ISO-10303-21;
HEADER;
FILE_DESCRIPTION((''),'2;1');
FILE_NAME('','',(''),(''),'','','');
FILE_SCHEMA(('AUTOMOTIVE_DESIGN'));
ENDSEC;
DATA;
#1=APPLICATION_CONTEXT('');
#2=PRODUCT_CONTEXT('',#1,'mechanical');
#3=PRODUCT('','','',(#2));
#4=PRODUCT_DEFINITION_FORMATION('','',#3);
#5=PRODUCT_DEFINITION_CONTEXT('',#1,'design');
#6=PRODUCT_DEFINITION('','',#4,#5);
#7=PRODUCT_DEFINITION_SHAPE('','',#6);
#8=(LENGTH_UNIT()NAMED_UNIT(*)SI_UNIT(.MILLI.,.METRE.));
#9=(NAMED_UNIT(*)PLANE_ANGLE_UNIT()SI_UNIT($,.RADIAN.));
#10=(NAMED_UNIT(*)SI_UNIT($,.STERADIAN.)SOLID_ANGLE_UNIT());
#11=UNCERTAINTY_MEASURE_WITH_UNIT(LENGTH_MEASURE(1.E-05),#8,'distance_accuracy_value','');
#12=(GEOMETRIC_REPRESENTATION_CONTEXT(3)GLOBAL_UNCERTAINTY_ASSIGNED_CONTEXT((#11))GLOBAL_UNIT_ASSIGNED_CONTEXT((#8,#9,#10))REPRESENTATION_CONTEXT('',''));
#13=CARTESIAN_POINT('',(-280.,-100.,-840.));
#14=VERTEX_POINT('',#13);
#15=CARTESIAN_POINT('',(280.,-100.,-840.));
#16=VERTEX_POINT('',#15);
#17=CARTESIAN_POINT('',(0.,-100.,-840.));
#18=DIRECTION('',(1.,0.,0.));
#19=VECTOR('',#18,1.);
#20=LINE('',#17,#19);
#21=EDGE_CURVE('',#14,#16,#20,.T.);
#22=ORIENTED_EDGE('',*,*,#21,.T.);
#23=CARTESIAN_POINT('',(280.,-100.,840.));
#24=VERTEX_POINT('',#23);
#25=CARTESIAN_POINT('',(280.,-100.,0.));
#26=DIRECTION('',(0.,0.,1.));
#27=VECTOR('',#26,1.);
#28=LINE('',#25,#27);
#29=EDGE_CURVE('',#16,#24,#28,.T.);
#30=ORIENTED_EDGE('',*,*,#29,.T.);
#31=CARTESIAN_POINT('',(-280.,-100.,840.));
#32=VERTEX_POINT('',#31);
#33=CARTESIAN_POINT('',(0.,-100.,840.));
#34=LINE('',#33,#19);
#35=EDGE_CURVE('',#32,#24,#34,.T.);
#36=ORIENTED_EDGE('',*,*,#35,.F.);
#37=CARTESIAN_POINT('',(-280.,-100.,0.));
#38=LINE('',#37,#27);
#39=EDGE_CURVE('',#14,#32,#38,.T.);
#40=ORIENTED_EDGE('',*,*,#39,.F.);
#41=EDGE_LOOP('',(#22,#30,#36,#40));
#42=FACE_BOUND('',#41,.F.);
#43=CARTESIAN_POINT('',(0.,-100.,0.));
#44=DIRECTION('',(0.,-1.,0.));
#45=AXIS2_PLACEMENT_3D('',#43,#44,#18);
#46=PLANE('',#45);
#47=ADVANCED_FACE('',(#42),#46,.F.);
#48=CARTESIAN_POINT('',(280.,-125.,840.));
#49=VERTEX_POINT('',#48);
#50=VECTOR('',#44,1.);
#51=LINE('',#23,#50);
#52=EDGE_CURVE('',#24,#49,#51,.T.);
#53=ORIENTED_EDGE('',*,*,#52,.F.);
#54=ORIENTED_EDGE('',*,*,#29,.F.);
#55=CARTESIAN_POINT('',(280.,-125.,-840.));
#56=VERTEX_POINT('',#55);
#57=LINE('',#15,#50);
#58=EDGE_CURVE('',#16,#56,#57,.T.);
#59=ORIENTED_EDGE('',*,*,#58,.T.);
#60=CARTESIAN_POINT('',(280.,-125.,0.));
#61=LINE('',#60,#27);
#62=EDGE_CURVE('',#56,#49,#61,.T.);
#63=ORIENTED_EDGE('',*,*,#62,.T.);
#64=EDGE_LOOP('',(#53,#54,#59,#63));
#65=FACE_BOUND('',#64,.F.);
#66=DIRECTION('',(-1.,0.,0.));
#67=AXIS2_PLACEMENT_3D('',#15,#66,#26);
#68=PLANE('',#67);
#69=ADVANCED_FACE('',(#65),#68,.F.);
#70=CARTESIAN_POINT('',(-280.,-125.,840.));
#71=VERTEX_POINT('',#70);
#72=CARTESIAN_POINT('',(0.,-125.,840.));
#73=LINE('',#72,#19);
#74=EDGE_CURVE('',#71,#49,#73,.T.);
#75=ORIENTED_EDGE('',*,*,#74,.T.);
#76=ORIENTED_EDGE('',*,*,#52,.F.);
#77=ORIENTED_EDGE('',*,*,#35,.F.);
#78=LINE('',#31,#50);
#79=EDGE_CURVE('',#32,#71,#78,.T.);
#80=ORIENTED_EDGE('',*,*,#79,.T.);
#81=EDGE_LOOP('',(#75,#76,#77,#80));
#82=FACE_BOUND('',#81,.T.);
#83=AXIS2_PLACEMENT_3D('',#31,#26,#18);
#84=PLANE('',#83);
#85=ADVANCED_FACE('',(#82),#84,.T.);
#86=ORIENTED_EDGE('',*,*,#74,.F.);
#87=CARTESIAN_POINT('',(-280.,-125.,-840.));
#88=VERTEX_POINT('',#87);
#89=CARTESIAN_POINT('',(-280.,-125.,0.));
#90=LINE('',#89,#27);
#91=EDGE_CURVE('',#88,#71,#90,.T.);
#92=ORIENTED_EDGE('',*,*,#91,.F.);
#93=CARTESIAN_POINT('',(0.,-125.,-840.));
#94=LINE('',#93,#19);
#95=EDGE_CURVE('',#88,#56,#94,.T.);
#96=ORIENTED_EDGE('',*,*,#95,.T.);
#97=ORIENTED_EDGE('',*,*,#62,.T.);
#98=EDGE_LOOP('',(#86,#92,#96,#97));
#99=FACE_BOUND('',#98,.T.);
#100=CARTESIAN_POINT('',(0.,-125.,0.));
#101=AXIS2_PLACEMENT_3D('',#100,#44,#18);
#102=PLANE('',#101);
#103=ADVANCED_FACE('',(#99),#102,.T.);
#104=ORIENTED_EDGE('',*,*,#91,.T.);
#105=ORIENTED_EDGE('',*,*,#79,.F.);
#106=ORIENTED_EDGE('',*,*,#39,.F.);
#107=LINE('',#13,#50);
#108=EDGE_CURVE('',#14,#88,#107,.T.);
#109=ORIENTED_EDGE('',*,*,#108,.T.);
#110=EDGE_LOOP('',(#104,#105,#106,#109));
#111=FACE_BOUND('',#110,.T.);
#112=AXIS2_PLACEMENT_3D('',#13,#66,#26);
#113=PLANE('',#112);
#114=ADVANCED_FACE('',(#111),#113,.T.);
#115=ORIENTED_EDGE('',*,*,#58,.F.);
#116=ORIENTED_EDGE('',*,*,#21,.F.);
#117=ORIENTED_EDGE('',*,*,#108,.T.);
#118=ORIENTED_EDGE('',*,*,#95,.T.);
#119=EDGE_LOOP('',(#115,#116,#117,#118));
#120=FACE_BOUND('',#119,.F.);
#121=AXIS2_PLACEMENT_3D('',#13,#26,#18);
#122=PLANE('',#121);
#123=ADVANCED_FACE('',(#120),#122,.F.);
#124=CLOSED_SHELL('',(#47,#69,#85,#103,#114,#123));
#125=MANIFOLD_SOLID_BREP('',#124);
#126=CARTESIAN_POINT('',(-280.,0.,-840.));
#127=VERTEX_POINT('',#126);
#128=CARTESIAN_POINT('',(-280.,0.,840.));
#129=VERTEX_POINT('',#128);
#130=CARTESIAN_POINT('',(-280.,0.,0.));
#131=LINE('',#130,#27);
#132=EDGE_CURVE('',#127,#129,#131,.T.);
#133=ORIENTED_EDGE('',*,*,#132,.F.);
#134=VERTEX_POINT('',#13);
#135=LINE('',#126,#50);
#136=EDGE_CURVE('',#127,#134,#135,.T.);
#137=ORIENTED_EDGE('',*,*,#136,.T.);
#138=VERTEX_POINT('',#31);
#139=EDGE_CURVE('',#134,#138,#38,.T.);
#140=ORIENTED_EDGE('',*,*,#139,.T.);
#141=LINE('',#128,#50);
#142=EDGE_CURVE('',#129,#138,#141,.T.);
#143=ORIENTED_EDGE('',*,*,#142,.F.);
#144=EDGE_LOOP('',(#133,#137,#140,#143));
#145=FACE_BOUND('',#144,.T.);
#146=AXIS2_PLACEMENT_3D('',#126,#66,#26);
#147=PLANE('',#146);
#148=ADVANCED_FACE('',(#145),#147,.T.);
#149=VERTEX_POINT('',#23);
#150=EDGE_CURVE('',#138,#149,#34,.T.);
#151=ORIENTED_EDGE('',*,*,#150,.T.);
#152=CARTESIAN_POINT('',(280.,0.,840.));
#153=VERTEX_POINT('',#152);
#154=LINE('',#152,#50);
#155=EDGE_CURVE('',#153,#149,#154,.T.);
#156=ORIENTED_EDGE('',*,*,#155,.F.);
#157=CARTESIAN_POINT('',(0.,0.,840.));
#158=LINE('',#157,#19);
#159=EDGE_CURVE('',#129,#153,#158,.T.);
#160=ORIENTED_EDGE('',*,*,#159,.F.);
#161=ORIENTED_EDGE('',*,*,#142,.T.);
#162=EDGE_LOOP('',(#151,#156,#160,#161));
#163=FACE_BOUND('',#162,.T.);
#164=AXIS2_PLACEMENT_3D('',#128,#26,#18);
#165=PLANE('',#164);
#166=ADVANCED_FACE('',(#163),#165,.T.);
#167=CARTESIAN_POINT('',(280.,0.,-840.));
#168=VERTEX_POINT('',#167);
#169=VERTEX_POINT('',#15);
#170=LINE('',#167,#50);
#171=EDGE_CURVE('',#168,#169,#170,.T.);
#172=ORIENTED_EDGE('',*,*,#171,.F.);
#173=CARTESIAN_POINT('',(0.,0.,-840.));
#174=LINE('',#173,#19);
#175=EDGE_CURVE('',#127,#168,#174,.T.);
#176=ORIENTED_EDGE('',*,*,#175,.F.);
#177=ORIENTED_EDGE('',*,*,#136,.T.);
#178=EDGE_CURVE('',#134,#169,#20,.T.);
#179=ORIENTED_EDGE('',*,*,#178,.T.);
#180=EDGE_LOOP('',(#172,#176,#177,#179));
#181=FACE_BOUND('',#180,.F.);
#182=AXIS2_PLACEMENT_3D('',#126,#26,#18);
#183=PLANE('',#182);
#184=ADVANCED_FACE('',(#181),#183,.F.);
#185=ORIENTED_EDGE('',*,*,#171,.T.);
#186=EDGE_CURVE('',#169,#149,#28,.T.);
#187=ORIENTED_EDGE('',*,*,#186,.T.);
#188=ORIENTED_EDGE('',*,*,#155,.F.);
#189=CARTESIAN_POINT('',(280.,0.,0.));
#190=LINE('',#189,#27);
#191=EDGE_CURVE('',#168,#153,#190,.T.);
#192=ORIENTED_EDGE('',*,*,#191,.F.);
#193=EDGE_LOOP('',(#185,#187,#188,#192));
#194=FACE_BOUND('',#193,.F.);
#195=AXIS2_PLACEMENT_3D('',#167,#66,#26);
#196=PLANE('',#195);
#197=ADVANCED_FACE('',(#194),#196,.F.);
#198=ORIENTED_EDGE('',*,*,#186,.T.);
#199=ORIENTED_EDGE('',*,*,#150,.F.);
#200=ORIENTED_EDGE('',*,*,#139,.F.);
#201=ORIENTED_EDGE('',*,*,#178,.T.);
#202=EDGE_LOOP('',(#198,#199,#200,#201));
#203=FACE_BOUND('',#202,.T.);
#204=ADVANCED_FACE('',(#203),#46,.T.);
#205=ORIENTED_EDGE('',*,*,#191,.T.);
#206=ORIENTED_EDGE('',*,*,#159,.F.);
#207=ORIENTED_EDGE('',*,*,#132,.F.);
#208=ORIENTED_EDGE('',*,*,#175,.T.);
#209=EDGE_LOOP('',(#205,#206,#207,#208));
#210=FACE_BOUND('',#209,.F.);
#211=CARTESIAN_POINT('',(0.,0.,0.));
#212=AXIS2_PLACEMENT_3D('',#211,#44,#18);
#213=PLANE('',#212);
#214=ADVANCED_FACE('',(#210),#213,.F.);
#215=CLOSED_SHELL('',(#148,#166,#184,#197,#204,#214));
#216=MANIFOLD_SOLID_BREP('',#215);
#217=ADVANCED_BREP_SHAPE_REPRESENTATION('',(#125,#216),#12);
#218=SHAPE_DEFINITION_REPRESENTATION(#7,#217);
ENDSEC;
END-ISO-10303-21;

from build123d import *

# Parameters (mm, degrees)
F0_W     = 560
F0_H     = 1680
F1_DEPTH = 100
F2_W     = 560
F2_H     = 1680
F3_DEPTH = 25


with BuildPart() as f1:
    # F0 (on Front) → F1 (new body)
    with BuildSketch(Plane.XZ):
        Rectangle(F0_W, F0_H)
    extrude(amount=F1_DEPTH)


with BuildPart() as f3:
    # F2 (on face) → F3 (new body)
    with BuildSketch(Plane.XZ.offset(100)):
        Rectangle(F2_W, F2_H)
    extrude(amount=F3_DEPTH)


solid = Compound([f1.part, f3.part])
